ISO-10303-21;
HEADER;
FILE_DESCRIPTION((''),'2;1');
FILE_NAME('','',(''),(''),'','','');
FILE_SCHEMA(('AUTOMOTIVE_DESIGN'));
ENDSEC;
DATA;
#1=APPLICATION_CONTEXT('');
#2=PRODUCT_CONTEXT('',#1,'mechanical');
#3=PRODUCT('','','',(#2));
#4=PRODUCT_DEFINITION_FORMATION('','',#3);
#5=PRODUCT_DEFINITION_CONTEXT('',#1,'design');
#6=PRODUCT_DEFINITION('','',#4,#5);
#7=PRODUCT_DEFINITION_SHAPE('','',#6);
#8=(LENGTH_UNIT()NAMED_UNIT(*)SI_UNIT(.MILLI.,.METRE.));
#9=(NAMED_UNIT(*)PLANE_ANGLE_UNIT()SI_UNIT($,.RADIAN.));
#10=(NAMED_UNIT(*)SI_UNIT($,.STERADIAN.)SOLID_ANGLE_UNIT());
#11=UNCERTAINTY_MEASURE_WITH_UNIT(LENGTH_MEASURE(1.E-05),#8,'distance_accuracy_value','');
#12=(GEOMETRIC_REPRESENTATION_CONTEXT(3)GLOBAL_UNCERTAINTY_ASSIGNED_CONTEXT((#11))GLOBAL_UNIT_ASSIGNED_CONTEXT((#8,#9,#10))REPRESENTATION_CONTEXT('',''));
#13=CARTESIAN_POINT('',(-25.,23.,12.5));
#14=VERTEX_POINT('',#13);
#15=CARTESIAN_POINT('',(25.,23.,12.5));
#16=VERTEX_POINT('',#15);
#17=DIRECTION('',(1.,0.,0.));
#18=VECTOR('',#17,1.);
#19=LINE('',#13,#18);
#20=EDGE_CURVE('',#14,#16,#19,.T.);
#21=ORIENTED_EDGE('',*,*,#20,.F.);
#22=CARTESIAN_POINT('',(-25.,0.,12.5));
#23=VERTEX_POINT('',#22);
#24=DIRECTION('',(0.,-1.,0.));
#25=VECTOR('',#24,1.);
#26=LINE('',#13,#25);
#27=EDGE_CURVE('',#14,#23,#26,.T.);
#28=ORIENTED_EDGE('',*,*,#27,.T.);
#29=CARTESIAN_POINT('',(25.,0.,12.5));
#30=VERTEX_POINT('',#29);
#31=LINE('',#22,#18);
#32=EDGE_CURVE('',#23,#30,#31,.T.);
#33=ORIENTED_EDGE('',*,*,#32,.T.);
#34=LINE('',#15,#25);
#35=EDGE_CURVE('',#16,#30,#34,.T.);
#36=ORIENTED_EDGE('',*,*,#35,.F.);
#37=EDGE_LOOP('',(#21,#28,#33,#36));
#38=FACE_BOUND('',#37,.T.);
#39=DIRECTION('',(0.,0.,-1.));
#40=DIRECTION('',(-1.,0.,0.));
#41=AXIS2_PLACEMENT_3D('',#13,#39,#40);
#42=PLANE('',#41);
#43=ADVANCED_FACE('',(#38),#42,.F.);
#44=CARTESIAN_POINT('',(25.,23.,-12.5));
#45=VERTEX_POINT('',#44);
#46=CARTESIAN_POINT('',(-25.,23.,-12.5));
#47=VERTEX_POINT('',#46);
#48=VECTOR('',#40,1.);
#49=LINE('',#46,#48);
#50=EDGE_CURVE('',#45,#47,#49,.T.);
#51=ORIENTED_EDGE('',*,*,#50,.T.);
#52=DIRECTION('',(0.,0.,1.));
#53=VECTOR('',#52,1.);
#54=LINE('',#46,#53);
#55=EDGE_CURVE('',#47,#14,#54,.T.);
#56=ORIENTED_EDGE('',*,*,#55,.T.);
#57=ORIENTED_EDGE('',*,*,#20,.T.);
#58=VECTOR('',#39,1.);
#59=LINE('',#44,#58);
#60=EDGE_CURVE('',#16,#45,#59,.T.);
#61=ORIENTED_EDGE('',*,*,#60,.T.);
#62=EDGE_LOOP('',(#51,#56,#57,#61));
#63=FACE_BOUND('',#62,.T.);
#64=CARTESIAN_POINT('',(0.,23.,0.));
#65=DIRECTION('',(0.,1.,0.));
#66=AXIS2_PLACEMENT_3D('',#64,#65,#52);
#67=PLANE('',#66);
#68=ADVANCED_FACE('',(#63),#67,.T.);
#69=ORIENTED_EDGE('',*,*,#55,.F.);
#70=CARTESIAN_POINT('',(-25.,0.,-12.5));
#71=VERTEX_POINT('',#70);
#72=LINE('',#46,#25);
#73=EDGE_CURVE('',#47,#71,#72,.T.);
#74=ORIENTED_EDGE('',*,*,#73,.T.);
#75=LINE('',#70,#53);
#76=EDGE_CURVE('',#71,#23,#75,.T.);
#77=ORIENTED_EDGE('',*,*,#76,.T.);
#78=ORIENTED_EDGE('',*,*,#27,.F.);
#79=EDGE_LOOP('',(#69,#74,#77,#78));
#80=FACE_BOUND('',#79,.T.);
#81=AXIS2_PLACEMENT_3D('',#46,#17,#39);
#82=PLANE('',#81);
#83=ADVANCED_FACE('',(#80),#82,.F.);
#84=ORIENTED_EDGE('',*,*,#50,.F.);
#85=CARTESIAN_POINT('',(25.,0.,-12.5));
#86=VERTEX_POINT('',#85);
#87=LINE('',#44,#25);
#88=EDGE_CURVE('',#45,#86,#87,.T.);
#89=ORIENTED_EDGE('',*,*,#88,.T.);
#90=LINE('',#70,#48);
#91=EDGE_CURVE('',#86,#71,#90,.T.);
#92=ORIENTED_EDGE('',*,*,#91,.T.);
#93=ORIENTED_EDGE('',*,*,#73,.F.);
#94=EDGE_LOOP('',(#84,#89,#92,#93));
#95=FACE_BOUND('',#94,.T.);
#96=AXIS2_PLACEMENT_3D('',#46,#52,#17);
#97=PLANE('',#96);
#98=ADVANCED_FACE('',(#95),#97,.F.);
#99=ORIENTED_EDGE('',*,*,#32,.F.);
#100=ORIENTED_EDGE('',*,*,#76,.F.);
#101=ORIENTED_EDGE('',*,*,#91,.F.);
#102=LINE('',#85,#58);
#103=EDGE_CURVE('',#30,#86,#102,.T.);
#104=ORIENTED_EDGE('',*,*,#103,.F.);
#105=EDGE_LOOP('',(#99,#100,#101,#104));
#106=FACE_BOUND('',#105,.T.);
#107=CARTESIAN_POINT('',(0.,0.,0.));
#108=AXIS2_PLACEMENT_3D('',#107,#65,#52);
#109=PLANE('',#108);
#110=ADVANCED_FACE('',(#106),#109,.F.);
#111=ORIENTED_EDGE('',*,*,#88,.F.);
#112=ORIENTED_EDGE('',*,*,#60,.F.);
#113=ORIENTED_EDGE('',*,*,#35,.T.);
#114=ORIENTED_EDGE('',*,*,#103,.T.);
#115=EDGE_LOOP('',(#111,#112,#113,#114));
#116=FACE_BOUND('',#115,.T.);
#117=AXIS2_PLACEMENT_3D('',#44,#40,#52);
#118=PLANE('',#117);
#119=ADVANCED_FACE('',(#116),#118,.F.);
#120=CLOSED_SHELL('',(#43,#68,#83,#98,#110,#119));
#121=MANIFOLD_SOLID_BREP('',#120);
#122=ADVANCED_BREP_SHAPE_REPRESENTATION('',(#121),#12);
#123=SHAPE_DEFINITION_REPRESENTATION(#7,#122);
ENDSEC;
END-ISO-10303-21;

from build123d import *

# Parameters (mm, degrees)
ESBO_O1_W                = 50
ESBO_O1_H                = 25
RESSALTO_EXTRUS_O1_DEPTH = 23


with BuildPart() as part:
    # Esboço1 → Ressalto-extrusão1 (new body)
    with BuildSketch(Plane(origin=(0, 0, 0), x_dir=(1, 0, 0), z_dir=(0, 1, 0))):
        Rectangle(ESBO_O1_W, ESBO_O1_H)
    extrude(amount=RESSALTO_EXTRUS_O1_DEPTH)


solid = part.part
